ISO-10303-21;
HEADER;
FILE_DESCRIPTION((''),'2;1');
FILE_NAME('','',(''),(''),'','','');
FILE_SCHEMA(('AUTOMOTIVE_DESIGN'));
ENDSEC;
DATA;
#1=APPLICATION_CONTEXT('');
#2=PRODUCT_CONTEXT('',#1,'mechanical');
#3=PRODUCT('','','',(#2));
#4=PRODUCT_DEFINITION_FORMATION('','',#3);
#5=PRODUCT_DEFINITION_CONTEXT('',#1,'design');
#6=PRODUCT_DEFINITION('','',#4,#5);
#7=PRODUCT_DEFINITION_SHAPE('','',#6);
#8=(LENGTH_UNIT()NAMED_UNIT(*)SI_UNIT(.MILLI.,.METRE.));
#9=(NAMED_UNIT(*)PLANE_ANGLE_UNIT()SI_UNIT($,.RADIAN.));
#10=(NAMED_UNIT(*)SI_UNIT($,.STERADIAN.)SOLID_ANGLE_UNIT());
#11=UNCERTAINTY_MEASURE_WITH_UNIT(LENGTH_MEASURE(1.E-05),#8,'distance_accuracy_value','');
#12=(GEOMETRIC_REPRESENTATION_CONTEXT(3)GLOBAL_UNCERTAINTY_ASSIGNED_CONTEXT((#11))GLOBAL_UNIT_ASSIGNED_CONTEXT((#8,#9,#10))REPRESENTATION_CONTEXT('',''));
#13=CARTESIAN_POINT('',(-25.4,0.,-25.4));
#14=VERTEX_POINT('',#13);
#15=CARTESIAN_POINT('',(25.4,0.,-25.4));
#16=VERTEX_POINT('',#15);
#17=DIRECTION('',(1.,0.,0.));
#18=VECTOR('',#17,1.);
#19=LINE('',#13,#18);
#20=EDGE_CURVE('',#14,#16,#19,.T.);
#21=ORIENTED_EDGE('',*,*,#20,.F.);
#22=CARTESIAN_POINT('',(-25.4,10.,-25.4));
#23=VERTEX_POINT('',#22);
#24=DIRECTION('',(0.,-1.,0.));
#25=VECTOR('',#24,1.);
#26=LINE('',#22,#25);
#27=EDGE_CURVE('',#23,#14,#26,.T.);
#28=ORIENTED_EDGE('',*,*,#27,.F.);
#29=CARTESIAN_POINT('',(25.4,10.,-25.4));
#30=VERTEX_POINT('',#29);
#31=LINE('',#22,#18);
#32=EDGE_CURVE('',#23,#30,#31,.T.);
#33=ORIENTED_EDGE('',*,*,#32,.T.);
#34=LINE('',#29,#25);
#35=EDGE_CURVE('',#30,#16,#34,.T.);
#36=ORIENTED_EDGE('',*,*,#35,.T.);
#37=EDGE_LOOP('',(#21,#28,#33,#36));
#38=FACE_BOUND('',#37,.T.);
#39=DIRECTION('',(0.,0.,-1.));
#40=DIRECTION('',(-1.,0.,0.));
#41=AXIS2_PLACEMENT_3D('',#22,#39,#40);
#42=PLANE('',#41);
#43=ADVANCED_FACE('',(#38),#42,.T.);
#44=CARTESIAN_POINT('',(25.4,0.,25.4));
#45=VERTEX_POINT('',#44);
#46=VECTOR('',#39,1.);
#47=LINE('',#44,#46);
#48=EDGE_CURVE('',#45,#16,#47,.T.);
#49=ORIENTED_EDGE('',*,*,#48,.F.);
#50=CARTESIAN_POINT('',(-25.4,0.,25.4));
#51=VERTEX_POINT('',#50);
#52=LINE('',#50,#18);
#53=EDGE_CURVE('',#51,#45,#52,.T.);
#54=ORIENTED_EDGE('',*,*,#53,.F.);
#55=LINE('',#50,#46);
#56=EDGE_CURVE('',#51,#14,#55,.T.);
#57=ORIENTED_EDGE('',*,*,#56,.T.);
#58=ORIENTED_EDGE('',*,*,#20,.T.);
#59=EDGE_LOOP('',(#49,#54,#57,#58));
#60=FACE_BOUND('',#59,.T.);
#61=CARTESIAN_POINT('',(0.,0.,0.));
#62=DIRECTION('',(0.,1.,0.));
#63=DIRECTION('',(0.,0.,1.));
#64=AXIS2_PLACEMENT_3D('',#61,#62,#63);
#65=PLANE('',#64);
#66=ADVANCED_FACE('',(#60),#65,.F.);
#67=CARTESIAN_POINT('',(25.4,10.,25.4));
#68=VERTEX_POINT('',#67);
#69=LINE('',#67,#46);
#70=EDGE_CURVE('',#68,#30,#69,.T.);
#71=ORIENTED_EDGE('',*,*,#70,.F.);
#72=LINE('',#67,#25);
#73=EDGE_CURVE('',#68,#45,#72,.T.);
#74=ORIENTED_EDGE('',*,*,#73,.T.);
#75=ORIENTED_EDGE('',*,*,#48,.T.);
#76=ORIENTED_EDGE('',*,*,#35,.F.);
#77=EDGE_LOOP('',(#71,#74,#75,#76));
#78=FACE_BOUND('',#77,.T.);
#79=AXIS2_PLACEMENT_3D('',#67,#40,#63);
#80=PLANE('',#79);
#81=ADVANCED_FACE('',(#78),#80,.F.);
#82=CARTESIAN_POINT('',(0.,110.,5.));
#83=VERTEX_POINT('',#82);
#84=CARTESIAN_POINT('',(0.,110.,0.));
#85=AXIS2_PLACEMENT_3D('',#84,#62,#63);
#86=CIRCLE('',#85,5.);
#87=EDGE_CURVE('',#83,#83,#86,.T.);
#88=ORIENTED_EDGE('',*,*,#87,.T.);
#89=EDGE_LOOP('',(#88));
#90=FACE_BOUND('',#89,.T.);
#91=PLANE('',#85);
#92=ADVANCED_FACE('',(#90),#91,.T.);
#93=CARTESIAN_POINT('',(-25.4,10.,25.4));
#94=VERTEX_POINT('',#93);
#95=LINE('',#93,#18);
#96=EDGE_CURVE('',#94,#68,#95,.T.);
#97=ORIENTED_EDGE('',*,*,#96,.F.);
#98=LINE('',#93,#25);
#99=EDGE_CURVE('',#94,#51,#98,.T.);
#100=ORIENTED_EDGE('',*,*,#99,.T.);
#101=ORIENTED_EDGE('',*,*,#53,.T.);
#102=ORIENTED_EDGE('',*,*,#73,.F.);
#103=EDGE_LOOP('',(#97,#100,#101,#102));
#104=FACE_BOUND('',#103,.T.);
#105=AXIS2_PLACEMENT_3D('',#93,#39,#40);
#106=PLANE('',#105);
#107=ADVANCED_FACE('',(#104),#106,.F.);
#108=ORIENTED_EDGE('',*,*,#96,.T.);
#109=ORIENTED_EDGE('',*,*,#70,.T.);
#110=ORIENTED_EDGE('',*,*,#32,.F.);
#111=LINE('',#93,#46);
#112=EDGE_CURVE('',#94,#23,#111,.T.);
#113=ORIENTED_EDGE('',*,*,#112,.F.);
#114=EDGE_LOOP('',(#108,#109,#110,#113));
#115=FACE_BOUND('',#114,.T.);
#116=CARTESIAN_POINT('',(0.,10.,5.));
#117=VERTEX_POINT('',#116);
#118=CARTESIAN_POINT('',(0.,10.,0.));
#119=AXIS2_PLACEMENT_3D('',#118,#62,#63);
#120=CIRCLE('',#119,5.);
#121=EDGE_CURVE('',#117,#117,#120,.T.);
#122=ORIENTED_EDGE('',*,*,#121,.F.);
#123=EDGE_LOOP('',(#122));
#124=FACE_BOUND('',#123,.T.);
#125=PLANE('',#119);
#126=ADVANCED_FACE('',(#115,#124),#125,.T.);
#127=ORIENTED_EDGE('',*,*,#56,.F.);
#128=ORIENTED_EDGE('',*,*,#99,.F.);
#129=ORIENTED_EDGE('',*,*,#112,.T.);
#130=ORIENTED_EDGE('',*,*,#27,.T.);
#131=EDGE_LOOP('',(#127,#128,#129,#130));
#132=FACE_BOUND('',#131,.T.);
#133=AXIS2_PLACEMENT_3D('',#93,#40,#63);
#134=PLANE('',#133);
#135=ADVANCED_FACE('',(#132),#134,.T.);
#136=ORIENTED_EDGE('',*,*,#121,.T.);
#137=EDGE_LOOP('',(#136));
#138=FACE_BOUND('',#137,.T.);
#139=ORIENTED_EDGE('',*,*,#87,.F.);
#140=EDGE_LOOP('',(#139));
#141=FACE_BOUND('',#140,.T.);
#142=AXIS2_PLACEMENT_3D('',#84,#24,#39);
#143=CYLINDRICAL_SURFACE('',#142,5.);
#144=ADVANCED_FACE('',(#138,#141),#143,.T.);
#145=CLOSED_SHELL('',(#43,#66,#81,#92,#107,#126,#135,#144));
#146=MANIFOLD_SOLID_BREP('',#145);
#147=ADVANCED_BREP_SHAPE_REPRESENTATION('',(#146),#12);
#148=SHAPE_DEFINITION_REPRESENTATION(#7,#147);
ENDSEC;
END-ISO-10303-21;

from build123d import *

# Parameters (mm, degrees)
SKETCH2_W           = 50.8
SKETCH2_H           = 50.8
BOSS_EXTRUDE1_DEPTH = 10
SKETCH3_R           = 5
BOSS_EXTRUDE3_DEPTH = 100


with BuildPart() as part:
    # Sketch2 → Boss-Extrude1 (new body)
    with BuildSketch(Plane(origin=(0, 0, 0), x_dir=(1, 0, 0), z_dir=(0, 1, 0))):
        Rectangle(SKETCH2_W, SKETCH2_H)
    extrude(amount=BOSS_EXTRUDE1_DEPTH)

    # Sketch3 → Boss-Extrude3 (add)
    with BuildSketch(Plane(origin=(0, 10, 0), x_dir=(1, 0, 0), z_dir=(0, 1, 0))):
        Circle(SKETCH3_R)
    extrude(amount=BOSS_EXTRUDE3_DEPTH)


solid = part.part
